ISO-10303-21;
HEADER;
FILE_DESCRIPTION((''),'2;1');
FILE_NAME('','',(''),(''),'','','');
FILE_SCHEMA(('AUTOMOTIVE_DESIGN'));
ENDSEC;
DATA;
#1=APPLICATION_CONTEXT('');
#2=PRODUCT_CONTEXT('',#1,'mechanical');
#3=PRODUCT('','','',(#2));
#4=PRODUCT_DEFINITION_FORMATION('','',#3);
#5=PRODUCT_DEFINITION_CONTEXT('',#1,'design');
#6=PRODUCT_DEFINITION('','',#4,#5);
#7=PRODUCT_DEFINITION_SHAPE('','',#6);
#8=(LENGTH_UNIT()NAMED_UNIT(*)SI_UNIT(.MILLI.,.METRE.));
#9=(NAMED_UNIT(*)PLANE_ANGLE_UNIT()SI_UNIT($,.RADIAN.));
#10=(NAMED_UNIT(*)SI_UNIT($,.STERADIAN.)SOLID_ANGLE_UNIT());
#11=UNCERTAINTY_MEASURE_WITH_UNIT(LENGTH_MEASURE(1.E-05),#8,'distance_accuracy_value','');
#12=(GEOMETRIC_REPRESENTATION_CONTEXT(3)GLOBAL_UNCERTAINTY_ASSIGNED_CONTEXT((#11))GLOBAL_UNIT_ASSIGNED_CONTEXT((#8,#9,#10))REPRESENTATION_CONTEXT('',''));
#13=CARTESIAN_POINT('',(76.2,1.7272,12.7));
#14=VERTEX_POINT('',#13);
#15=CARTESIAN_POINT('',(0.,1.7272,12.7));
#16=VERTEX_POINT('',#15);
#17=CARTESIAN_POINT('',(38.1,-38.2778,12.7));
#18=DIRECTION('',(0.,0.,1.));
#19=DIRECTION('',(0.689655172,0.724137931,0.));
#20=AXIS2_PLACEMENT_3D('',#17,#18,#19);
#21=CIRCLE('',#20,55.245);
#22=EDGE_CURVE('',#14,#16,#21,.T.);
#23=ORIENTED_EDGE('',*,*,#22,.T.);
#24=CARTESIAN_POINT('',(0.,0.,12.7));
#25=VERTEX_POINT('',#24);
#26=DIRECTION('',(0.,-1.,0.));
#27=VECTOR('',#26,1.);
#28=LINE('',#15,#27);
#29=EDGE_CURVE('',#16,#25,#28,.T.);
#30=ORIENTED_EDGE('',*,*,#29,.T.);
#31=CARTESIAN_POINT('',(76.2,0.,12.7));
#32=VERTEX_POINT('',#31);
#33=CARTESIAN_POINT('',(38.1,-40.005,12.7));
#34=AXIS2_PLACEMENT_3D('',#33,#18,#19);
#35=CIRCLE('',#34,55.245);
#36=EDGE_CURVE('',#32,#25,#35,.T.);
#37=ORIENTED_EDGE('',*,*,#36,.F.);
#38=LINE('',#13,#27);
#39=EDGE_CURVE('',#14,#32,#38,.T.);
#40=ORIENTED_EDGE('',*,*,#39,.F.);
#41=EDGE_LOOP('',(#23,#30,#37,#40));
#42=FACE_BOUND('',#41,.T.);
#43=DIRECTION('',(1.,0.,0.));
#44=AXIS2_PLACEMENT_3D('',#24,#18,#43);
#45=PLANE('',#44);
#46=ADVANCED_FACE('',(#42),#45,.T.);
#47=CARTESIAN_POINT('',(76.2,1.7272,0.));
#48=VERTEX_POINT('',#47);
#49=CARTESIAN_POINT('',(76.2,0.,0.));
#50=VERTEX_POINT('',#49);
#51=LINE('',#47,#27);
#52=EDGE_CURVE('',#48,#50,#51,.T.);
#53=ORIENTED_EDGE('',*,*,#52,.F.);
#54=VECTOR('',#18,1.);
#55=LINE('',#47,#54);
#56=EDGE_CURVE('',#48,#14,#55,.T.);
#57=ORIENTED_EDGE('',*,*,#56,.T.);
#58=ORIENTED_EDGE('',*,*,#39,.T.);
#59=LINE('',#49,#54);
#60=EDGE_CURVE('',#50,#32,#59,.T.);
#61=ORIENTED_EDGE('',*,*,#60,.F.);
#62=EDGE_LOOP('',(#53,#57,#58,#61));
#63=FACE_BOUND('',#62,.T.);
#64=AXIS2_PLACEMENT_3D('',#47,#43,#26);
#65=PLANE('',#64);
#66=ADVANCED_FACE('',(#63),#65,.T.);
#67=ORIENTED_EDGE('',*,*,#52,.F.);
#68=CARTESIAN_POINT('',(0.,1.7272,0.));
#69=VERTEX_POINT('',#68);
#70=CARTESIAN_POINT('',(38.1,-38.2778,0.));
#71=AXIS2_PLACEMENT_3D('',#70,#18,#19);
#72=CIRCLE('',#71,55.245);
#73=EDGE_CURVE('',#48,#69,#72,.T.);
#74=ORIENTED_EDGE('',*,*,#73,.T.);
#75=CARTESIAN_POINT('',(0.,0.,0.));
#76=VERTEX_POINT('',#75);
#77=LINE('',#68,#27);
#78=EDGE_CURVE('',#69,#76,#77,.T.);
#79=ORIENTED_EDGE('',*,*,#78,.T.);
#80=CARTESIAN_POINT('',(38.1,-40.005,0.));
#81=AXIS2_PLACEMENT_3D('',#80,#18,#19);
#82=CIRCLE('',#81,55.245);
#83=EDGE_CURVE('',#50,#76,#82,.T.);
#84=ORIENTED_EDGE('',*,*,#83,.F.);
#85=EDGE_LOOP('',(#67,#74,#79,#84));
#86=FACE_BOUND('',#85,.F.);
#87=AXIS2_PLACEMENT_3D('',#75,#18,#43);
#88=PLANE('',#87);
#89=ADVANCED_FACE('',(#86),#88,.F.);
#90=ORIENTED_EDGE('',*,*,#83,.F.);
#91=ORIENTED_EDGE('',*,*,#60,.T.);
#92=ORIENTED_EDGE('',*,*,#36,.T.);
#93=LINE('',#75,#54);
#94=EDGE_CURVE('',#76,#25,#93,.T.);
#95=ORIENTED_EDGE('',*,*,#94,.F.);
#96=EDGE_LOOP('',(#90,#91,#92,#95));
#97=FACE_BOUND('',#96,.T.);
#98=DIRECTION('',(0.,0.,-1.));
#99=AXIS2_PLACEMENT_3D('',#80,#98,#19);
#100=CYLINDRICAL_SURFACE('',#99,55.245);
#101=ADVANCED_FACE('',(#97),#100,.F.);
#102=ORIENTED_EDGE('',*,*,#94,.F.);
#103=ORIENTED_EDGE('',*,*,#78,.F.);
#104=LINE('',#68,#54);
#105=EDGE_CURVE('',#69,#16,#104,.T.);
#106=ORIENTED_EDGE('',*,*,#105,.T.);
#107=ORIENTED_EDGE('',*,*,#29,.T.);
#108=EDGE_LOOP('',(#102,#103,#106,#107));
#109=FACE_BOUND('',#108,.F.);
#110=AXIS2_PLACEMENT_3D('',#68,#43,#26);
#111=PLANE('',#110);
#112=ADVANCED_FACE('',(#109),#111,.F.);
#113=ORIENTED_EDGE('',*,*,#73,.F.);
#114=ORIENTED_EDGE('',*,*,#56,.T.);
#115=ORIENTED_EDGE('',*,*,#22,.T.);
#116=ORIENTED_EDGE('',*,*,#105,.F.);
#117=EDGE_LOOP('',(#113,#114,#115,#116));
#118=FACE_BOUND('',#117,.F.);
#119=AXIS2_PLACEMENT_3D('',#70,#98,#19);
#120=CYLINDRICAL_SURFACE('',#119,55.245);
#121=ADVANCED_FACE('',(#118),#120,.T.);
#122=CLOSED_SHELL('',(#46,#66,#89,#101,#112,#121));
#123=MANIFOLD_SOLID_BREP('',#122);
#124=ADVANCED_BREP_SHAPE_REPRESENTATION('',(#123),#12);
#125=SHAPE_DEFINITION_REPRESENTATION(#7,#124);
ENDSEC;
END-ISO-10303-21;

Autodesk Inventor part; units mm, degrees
ref_plane "YZ Plane" through (0, 0, 0) normal (1, 0, 0) x (0, 1, 0)
ref_plane "XZ Plane" through (0, 0, 0) normal (0, 1, 0) x (-1, 0, 0)
ref_plane "XY Plane" through (0, 0, 0) normal (0, 0, 1) x (1, 0, 0)
sketch "Sketch1" plane through (0, 0, 0) normal (0, 0, 1) x (1, 0, 0)
  line L0 (0, 0) -> (76.2, 0) construction
  line L1 (0, 0) -> (76.2, 0) construction
  line L2 (0, 0) -> (38.1, 0) construction
  line L3 (38.1, 0) -> (38.1, 15.24) construction
  line L4 (38.1, 15.24) -> (38.1, 16.9672) construction
  arc A0 (76.2, 0) -> (0, 0) centre (38.1, -40.005) ccw
  line L5 (0, 0) -> (0, 1.7272) construction
  line L6 (76.2, 0) -> (76.2, 1.7272) construction
  arc A1 (76.2, 1.7272) -> (0, 1.7272) centre (38.1, -38.2778) ccw
  line L7 (0, 1.7272) -> (0, 0)
  line L8 (76.2, 1.7272) -> (76.2, 0)
  dimension "d0" = 76.2
  dimension "d1" = 0
  dimension "d2" = 38.1
  dimension "d3" = 15.24
  dimension "d4" = 1.7272
  dimension "d5" = 1.7272
  dimension "d6" = 1.7272
extrude "Extrusion1" add sketch "Sketch1" along normal blind 12.7
equation "\"d2\" = 0.5 * d0"
equation "\"d3\" = 0.2 * d0"
properties part number "ClampLip"
